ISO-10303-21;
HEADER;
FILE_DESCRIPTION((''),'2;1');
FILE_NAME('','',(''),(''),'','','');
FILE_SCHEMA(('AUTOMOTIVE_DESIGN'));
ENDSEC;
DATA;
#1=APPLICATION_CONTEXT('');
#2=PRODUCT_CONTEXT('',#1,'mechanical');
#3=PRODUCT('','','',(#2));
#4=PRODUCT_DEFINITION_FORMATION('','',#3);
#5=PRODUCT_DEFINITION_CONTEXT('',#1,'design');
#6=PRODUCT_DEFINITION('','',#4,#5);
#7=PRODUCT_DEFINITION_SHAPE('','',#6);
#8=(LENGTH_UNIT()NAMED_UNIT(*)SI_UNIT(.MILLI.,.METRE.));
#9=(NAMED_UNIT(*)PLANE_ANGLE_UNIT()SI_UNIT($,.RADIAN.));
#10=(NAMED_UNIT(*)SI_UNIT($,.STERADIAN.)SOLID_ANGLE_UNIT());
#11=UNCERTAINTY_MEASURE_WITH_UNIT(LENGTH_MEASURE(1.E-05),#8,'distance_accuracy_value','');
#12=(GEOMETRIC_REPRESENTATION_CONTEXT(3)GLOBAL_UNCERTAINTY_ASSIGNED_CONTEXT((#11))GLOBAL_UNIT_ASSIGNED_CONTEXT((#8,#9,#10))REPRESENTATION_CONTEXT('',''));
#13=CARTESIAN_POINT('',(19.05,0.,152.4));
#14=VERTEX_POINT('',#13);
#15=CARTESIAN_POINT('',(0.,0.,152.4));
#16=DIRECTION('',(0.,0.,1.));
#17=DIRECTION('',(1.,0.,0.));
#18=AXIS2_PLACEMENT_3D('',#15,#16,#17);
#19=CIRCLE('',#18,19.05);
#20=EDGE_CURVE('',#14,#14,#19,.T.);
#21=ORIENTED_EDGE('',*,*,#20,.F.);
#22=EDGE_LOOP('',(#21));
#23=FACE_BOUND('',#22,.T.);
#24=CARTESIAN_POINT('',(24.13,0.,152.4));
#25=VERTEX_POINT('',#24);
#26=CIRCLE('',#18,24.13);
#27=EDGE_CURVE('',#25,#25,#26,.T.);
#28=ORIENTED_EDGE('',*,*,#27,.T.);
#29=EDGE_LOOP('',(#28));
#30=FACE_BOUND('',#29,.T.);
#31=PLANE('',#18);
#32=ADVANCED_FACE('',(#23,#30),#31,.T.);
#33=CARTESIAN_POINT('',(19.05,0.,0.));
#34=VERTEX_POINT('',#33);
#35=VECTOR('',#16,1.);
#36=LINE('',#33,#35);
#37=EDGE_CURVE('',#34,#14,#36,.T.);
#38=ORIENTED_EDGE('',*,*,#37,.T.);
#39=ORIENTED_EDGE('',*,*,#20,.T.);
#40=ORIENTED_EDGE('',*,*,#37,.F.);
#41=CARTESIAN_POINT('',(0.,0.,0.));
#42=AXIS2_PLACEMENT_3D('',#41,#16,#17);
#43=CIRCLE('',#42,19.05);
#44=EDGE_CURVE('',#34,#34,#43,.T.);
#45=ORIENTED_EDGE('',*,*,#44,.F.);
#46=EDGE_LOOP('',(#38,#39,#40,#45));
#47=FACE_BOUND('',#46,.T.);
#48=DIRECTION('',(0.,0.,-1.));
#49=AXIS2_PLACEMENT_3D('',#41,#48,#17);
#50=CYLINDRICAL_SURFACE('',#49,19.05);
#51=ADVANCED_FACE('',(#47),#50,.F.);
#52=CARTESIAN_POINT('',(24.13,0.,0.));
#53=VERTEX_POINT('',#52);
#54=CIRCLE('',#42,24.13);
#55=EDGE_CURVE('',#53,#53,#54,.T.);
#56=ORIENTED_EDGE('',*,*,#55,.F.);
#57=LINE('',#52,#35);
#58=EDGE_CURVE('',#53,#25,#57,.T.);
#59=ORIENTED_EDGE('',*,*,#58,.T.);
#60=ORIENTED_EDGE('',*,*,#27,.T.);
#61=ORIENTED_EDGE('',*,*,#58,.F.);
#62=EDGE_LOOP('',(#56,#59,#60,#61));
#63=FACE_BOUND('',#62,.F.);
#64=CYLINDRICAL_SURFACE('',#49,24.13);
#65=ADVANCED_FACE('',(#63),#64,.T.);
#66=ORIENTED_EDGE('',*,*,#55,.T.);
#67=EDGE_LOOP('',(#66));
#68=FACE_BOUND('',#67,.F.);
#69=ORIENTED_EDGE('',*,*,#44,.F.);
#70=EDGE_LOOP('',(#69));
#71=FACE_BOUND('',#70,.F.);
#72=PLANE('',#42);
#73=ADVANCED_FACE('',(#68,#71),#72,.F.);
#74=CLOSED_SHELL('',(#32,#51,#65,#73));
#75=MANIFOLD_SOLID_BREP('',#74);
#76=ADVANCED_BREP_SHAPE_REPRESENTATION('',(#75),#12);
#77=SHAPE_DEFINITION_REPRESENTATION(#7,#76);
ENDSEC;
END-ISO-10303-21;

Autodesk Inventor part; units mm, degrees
ref_plane "YZ Plane" through (0, 0, 0) normal (1, 0, 0) x (0, 1, 0)
ref_plane "XZ Plane" through (0, 0, 0) normal (0, 1, 0) x (-1, 0, 0)
ref_plane "XY Plane" through (0, 0, 0) normal (0, 0, 1) x (1, 0, 0)
sketch "Sketch1" plane through (0, 0, 0) normal (0, 0, 1) x (1, 0, 0)
  circle A0 centre (0, 0) radius 24.13
  circle A1 centre (0, 0) radius 19.05
  dimension "d0" = 48.26
  dimension "d1" = 38.1
extrude "Extrusion1" add sketch "Sketch1" along normal blind 152.4
properties part number "A1-18002-100-34 1.25in bar tube end" material "PVC-Piping"
